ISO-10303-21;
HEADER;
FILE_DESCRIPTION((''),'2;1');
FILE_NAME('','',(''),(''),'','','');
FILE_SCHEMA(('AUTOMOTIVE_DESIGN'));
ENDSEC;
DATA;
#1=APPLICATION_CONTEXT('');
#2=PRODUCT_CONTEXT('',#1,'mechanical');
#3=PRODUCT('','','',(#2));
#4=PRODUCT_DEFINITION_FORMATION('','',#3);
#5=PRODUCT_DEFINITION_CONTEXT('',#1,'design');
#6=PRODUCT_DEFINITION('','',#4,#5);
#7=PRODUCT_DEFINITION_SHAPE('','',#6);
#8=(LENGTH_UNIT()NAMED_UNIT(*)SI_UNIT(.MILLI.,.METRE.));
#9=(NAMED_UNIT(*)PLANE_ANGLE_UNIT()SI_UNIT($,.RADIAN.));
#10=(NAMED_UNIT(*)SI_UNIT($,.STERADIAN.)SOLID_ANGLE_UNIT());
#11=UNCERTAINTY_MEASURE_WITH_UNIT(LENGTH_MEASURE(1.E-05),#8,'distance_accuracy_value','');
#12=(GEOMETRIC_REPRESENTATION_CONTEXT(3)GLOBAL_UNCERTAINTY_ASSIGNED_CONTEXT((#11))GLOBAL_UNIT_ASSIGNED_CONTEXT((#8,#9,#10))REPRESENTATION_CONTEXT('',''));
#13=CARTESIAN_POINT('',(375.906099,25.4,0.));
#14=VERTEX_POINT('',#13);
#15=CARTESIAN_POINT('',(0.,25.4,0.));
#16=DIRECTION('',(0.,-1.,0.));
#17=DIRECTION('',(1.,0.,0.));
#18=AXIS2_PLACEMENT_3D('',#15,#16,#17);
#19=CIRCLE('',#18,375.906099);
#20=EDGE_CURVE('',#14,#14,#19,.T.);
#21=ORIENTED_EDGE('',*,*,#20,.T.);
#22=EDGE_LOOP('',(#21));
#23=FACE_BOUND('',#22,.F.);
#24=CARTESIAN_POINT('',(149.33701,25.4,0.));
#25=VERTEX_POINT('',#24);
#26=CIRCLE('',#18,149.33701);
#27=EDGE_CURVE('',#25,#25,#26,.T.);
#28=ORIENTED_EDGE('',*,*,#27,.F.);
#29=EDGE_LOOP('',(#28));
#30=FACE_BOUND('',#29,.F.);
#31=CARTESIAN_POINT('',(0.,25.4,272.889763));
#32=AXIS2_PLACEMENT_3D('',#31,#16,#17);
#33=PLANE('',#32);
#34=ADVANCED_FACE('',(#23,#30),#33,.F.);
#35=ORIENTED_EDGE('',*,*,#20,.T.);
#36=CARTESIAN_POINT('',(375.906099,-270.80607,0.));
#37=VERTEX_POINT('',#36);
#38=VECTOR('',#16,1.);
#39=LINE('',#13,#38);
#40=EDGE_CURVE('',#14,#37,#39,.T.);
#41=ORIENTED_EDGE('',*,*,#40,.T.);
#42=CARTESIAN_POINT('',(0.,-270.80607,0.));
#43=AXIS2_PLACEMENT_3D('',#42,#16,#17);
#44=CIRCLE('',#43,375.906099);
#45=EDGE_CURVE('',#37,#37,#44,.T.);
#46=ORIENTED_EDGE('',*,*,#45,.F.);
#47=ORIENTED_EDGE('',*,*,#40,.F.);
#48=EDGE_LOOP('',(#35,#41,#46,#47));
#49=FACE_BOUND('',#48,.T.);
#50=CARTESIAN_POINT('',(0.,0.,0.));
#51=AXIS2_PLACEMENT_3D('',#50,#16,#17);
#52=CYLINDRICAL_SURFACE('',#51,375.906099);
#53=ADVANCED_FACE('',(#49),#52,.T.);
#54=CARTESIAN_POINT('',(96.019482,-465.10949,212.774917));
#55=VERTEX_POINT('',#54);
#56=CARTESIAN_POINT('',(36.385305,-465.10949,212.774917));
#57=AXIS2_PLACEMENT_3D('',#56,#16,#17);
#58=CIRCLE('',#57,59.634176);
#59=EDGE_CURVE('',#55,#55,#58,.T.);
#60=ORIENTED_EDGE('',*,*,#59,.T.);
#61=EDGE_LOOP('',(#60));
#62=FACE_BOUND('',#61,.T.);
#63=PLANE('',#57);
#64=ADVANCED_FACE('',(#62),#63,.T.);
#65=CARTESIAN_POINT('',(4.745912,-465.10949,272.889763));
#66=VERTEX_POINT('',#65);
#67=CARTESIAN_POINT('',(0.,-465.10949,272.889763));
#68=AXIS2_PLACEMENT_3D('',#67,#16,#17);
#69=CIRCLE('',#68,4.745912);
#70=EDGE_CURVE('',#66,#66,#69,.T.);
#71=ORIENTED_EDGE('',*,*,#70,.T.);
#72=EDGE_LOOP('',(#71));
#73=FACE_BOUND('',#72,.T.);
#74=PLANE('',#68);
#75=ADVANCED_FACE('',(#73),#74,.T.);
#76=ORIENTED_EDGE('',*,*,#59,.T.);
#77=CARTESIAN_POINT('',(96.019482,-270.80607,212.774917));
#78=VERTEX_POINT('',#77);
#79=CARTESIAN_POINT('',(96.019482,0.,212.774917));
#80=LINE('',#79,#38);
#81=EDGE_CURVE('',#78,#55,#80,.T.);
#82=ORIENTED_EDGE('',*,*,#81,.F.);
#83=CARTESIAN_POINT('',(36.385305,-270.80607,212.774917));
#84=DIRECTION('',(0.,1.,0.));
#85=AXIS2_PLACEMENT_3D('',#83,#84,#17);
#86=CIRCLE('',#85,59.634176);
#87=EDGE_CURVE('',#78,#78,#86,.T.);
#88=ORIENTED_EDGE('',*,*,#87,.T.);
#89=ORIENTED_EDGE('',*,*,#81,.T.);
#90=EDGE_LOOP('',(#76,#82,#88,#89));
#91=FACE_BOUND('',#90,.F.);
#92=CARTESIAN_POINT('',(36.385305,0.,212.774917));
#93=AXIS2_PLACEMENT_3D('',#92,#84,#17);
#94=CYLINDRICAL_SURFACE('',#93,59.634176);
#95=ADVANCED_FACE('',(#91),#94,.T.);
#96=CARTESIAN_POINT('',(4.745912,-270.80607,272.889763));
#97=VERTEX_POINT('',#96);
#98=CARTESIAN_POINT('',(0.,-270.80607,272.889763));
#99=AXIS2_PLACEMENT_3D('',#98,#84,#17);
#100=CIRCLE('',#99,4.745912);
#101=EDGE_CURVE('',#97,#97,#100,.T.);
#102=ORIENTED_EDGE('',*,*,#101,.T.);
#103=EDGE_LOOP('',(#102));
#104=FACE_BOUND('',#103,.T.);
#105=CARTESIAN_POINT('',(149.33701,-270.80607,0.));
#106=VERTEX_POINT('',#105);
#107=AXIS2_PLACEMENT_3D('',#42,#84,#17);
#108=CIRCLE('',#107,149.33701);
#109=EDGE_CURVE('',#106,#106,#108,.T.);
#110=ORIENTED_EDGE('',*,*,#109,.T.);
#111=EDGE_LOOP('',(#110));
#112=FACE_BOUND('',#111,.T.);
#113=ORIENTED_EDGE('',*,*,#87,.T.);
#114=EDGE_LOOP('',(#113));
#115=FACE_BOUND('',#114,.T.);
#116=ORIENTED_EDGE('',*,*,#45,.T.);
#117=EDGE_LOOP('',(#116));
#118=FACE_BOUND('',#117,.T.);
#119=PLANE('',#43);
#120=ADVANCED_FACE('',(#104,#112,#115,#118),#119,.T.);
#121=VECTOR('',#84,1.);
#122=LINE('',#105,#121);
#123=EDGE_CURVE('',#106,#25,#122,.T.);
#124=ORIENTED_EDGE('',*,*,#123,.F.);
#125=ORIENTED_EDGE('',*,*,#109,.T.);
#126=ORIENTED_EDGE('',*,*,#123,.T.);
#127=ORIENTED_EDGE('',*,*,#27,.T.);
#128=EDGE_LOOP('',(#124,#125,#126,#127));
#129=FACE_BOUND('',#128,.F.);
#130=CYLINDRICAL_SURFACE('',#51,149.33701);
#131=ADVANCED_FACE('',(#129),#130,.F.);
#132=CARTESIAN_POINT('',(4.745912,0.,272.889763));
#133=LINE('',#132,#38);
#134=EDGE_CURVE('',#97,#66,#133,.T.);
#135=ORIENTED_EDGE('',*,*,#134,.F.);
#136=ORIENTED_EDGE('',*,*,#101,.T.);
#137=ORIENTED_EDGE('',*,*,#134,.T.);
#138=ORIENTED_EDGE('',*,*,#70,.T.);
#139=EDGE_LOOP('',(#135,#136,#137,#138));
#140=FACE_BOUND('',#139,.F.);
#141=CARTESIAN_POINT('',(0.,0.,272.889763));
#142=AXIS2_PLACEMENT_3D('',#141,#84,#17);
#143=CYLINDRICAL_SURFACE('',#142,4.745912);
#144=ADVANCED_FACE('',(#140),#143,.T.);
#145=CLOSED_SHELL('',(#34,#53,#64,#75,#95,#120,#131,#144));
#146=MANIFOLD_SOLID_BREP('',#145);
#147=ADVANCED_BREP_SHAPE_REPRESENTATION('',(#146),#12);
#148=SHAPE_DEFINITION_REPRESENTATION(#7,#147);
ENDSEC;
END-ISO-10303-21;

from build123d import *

# Parameters (mm, degrees)
F0_R     = 375.9060987096
F1_DEPTH = 270.80607
F2_R     = 149.3370096155
F3_DEPTH = 705.40455
F4_R     = 4.7459118068
F4_R_2   = 59.6341764552
F5_DEPTH = 465.10949
F7_DEPTH = 25.4


with BuildPart() as f1:
    # F0 (on Front) → F1 (new body)
    with BuildSketch(Plane.XZ):
        Circle(F0_R)
    extrude(amount=F1_DEPTH)

    # F2 (on Front) → F3 (cut)
    with BuildSketch(Plane.XZ):
        Circle(F2_R)
    extrude(amount=F3_DEPTH, mode=Mode.SUBTRACT)

    # F4 (on Front) → F5 (join)
    with BuildSketch(Plane.XZ):
        with Locations((0, 272.8897631168)):
            Circle(F4_R)
        with Locations((36.3853052258, 212.7749174833)):
            Circle(F4_R_2)
    extrude(amount=F5_DEPTH)

    # F7 (add): a face of the model
    f7_faces = [f1.faces().sort_by_distance(p)[0] for p in [
        (-365.2738686502, 0, 0),
    ]]
    extrude(f7_faces, amount=F7_DEPTH)


solid = f1.part
